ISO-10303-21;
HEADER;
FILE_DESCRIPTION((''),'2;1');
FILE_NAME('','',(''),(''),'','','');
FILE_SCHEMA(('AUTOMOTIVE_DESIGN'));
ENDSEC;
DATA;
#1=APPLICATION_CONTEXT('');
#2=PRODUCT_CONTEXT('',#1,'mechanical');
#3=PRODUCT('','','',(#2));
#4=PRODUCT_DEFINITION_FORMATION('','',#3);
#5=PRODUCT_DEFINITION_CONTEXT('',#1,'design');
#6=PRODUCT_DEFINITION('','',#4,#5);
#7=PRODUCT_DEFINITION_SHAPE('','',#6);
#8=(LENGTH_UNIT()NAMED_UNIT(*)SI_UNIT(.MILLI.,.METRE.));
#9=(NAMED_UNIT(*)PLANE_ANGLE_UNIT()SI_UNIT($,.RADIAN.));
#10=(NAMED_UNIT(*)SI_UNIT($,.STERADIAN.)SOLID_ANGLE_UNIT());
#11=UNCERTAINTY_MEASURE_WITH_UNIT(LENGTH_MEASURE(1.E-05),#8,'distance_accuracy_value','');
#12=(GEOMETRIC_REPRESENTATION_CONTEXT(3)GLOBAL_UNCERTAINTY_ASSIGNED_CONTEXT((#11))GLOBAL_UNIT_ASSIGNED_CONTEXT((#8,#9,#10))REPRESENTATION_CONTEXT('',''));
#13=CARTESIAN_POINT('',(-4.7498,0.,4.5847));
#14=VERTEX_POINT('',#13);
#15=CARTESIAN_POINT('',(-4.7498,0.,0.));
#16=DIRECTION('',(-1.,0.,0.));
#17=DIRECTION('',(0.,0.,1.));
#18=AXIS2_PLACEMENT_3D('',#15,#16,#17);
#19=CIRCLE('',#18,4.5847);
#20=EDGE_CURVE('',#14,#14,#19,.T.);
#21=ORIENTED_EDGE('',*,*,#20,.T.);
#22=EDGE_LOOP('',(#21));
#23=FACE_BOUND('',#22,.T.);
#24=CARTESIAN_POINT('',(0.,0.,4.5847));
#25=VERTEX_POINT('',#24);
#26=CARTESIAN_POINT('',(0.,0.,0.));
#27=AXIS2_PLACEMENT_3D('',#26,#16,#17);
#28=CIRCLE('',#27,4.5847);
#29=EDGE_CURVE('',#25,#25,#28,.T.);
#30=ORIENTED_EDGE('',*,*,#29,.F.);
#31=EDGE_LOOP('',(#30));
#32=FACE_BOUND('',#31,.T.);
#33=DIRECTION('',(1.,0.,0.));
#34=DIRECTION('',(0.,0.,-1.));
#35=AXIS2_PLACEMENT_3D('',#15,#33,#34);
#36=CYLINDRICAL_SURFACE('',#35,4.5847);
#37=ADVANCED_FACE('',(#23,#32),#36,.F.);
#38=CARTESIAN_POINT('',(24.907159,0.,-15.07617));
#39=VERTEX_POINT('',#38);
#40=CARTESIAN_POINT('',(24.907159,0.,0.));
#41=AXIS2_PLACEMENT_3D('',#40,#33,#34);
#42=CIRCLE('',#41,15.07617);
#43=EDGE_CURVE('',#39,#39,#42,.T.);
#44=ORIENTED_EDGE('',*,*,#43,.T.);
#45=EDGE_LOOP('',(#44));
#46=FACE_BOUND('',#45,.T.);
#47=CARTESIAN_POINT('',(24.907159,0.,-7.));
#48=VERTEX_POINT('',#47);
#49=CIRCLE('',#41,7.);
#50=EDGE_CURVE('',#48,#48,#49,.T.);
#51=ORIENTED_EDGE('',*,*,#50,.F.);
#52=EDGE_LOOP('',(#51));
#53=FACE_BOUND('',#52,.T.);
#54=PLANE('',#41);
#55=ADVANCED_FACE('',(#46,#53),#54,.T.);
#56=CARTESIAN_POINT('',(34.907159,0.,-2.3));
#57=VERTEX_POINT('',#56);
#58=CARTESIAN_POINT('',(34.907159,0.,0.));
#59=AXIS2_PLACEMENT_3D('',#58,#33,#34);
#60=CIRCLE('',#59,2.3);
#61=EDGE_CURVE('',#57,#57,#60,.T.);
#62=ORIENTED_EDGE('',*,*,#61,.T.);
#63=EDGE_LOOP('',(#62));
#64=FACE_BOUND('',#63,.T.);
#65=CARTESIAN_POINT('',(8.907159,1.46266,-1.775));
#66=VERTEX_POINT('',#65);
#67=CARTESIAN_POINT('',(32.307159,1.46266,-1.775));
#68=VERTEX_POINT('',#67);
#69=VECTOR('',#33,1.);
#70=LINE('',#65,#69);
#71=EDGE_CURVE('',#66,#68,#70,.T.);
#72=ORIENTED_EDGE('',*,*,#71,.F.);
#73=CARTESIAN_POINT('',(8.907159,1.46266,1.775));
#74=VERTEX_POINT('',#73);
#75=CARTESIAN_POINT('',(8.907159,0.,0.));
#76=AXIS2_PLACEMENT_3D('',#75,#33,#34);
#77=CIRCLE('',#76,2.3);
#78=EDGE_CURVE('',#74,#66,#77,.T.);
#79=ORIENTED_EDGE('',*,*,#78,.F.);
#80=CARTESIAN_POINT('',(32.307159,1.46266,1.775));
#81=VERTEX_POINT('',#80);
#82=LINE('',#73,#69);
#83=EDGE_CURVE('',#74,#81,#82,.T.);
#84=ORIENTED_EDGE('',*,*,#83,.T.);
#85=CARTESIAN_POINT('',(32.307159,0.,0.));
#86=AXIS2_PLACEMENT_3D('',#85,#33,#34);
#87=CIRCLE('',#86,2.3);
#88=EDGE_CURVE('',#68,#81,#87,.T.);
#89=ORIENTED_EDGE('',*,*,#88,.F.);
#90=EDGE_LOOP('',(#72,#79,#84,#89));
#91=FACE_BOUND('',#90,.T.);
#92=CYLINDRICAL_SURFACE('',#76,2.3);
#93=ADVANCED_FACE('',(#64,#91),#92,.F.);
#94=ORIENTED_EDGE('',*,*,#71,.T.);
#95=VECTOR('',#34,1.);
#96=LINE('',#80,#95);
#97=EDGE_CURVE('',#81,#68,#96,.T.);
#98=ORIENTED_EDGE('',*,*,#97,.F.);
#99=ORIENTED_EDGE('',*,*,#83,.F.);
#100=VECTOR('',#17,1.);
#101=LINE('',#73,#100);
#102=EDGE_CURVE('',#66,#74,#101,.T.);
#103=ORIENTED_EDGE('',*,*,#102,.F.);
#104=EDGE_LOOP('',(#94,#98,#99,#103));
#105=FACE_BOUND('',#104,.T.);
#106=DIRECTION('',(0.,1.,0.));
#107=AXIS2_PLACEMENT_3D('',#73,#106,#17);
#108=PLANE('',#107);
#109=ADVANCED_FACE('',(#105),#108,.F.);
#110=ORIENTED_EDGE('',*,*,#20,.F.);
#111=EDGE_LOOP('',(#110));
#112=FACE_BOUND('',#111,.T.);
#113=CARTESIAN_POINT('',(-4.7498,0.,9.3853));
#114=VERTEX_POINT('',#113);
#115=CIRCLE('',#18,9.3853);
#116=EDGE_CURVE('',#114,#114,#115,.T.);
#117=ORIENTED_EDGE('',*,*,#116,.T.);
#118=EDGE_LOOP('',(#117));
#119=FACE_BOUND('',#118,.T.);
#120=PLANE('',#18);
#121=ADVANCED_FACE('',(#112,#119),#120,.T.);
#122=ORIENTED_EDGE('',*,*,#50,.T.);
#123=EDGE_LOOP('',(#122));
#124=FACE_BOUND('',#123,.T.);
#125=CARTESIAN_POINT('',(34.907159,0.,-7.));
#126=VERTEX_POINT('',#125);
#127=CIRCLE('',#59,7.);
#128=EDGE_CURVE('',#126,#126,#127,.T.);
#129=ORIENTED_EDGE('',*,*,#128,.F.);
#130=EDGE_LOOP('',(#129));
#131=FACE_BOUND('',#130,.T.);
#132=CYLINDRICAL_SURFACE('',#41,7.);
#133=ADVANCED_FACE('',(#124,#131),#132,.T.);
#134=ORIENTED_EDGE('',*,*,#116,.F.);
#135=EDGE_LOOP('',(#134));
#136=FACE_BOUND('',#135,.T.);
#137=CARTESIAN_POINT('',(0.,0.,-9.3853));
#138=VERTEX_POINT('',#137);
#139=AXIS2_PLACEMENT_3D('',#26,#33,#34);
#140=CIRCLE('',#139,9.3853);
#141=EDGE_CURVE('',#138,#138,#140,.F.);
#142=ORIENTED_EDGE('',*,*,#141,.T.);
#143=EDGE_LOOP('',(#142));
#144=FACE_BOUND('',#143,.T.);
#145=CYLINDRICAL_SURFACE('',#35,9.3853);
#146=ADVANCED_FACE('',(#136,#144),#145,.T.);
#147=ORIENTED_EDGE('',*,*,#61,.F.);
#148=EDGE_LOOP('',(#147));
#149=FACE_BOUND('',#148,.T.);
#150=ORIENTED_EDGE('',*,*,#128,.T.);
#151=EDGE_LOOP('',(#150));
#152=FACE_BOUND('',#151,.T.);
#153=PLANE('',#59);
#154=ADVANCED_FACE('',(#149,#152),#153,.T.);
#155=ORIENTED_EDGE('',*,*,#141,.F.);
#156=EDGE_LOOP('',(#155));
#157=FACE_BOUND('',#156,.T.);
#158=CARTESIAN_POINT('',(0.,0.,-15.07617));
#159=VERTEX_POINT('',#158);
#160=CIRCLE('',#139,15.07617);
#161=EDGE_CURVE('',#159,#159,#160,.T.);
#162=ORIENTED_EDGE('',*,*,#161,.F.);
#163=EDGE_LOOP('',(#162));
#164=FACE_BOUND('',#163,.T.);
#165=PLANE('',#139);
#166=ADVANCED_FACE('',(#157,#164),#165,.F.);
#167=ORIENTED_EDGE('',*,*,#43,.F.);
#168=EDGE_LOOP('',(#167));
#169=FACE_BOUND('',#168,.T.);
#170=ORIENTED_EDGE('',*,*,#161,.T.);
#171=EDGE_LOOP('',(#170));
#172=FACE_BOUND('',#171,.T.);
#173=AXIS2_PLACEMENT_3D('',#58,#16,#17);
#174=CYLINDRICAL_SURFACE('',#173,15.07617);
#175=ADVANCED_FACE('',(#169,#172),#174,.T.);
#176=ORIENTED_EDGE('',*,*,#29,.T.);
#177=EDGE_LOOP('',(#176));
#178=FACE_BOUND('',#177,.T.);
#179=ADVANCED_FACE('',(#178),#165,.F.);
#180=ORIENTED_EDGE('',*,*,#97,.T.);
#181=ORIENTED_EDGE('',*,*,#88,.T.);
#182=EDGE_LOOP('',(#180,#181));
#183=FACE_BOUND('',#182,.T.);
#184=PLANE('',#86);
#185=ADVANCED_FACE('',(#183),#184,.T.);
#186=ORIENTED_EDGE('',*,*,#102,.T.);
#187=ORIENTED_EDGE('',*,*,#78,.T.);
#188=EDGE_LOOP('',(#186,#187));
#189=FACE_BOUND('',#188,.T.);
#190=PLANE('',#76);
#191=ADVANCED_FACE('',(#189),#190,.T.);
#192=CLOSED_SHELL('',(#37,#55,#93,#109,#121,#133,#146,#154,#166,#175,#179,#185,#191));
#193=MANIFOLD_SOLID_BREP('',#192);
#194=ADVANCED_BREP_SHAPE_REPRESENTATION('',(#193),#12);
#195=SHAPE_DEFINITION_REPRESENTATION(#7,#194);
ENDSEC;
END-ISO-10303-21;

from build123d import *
from build123d.topology import SkipClean

# Parameters (mm, degrees)
SKETCH1_R           = 15.07617
BOSS_EXTRUDE1_DEPTH = 34.9071592
SKETCH2_R           = 9.3853
SKETCH2_R_2         = 4.5847
BOSS_EXTRUDE2_DEPTH = 4.7498
CUT_EXTRUDE1_DEPTH  = 26
SKETCH4_R           = 2.3
CUT_EXTRUDE2_DEPTH  = 2.6
CUT_EXTRUDE3_START  = -10
SKETCH5_R           = 15.07617
SKETCH5_R_2         = 7
CUT_EXTRUDE3_DEPTH  = 10


with BuildPart() as part:
    # Sketch1 → Boss-Extrude1 (new body)
    with BuildSketch(Plane(origin=(0, 0, 0), x_dir=(0, 0, -1), z_dir=(1, 0, 0))):
        Circle(SKETCH1_R)
    extrude(amount=BOSS_EXTRUDE1_DEPTH)

    # Sketch2 → Boss-Extrude2 (add)
    with BuildSketch(Plane.ZY):
        with Locations(Location((0, 0, 0), (0, 0, 180))):
            Circle(SKETCH2_R)
        Circle(SKETCH2_R_2, mode=Mode.SUBTRACT)
    extrude(amount=BOSS_EXTRUDE2_DEPTH)

    # Sketch3 → Cut-Extrude1 (cut)
    with BuildSketch(Plane(origin=(34.9071592, 0, 0), x_dir=(0, 0, -1), z_dir=(1, 0, 0))):
        with BuildLine():
            Line((-1.775, 1.462660248), (1.775, 1.462660248))
            ThreePointArc((1.775, 1.462660248), (0, -2.3), (-1.775, 1.462660248))
        make_face()
    extrude(amount=-CUT_EXTRUDE1_DEPTH, mode=Mode.SUBTRACT)

    # Sketch4 → Cut-Extrude2 (cut)
    with SkipClean():  # the faces are left unmerged after this step: merging them gives an invalid solid
        with BuildSketch(Plane(origin=(34.9071592, 0, 0), x_dir=(0, 0, -1), z_dir=(1, 0, 0))):
            Circle(SKETCH4_R)
        extrude(amount=-CUT_EXTRUDE2_DEPTH, mode=Mode.SUBTRACT)

    # Sketch5 → Cut-Extrude3 (cut)
    with SkipClean():  # the faces are left unmerged after this step: merging them gives an invalid solid
        with BuildSketch(Plane(origin=(34.9071592, 0, 0), x_dir=(0, 0, -1), z_dir=(1, 0, 0)).offset(CUT_EXTRUDE3_START)):
            Circle(SKETCH5_R)
            Circle(SKETCH5_R_2, mode=Mode.SUBTRACT)
        extrude(amount=CUT_EXTRUDE3_DEPTH, mode=Mode.SUBTRACT)


solid = part.part
